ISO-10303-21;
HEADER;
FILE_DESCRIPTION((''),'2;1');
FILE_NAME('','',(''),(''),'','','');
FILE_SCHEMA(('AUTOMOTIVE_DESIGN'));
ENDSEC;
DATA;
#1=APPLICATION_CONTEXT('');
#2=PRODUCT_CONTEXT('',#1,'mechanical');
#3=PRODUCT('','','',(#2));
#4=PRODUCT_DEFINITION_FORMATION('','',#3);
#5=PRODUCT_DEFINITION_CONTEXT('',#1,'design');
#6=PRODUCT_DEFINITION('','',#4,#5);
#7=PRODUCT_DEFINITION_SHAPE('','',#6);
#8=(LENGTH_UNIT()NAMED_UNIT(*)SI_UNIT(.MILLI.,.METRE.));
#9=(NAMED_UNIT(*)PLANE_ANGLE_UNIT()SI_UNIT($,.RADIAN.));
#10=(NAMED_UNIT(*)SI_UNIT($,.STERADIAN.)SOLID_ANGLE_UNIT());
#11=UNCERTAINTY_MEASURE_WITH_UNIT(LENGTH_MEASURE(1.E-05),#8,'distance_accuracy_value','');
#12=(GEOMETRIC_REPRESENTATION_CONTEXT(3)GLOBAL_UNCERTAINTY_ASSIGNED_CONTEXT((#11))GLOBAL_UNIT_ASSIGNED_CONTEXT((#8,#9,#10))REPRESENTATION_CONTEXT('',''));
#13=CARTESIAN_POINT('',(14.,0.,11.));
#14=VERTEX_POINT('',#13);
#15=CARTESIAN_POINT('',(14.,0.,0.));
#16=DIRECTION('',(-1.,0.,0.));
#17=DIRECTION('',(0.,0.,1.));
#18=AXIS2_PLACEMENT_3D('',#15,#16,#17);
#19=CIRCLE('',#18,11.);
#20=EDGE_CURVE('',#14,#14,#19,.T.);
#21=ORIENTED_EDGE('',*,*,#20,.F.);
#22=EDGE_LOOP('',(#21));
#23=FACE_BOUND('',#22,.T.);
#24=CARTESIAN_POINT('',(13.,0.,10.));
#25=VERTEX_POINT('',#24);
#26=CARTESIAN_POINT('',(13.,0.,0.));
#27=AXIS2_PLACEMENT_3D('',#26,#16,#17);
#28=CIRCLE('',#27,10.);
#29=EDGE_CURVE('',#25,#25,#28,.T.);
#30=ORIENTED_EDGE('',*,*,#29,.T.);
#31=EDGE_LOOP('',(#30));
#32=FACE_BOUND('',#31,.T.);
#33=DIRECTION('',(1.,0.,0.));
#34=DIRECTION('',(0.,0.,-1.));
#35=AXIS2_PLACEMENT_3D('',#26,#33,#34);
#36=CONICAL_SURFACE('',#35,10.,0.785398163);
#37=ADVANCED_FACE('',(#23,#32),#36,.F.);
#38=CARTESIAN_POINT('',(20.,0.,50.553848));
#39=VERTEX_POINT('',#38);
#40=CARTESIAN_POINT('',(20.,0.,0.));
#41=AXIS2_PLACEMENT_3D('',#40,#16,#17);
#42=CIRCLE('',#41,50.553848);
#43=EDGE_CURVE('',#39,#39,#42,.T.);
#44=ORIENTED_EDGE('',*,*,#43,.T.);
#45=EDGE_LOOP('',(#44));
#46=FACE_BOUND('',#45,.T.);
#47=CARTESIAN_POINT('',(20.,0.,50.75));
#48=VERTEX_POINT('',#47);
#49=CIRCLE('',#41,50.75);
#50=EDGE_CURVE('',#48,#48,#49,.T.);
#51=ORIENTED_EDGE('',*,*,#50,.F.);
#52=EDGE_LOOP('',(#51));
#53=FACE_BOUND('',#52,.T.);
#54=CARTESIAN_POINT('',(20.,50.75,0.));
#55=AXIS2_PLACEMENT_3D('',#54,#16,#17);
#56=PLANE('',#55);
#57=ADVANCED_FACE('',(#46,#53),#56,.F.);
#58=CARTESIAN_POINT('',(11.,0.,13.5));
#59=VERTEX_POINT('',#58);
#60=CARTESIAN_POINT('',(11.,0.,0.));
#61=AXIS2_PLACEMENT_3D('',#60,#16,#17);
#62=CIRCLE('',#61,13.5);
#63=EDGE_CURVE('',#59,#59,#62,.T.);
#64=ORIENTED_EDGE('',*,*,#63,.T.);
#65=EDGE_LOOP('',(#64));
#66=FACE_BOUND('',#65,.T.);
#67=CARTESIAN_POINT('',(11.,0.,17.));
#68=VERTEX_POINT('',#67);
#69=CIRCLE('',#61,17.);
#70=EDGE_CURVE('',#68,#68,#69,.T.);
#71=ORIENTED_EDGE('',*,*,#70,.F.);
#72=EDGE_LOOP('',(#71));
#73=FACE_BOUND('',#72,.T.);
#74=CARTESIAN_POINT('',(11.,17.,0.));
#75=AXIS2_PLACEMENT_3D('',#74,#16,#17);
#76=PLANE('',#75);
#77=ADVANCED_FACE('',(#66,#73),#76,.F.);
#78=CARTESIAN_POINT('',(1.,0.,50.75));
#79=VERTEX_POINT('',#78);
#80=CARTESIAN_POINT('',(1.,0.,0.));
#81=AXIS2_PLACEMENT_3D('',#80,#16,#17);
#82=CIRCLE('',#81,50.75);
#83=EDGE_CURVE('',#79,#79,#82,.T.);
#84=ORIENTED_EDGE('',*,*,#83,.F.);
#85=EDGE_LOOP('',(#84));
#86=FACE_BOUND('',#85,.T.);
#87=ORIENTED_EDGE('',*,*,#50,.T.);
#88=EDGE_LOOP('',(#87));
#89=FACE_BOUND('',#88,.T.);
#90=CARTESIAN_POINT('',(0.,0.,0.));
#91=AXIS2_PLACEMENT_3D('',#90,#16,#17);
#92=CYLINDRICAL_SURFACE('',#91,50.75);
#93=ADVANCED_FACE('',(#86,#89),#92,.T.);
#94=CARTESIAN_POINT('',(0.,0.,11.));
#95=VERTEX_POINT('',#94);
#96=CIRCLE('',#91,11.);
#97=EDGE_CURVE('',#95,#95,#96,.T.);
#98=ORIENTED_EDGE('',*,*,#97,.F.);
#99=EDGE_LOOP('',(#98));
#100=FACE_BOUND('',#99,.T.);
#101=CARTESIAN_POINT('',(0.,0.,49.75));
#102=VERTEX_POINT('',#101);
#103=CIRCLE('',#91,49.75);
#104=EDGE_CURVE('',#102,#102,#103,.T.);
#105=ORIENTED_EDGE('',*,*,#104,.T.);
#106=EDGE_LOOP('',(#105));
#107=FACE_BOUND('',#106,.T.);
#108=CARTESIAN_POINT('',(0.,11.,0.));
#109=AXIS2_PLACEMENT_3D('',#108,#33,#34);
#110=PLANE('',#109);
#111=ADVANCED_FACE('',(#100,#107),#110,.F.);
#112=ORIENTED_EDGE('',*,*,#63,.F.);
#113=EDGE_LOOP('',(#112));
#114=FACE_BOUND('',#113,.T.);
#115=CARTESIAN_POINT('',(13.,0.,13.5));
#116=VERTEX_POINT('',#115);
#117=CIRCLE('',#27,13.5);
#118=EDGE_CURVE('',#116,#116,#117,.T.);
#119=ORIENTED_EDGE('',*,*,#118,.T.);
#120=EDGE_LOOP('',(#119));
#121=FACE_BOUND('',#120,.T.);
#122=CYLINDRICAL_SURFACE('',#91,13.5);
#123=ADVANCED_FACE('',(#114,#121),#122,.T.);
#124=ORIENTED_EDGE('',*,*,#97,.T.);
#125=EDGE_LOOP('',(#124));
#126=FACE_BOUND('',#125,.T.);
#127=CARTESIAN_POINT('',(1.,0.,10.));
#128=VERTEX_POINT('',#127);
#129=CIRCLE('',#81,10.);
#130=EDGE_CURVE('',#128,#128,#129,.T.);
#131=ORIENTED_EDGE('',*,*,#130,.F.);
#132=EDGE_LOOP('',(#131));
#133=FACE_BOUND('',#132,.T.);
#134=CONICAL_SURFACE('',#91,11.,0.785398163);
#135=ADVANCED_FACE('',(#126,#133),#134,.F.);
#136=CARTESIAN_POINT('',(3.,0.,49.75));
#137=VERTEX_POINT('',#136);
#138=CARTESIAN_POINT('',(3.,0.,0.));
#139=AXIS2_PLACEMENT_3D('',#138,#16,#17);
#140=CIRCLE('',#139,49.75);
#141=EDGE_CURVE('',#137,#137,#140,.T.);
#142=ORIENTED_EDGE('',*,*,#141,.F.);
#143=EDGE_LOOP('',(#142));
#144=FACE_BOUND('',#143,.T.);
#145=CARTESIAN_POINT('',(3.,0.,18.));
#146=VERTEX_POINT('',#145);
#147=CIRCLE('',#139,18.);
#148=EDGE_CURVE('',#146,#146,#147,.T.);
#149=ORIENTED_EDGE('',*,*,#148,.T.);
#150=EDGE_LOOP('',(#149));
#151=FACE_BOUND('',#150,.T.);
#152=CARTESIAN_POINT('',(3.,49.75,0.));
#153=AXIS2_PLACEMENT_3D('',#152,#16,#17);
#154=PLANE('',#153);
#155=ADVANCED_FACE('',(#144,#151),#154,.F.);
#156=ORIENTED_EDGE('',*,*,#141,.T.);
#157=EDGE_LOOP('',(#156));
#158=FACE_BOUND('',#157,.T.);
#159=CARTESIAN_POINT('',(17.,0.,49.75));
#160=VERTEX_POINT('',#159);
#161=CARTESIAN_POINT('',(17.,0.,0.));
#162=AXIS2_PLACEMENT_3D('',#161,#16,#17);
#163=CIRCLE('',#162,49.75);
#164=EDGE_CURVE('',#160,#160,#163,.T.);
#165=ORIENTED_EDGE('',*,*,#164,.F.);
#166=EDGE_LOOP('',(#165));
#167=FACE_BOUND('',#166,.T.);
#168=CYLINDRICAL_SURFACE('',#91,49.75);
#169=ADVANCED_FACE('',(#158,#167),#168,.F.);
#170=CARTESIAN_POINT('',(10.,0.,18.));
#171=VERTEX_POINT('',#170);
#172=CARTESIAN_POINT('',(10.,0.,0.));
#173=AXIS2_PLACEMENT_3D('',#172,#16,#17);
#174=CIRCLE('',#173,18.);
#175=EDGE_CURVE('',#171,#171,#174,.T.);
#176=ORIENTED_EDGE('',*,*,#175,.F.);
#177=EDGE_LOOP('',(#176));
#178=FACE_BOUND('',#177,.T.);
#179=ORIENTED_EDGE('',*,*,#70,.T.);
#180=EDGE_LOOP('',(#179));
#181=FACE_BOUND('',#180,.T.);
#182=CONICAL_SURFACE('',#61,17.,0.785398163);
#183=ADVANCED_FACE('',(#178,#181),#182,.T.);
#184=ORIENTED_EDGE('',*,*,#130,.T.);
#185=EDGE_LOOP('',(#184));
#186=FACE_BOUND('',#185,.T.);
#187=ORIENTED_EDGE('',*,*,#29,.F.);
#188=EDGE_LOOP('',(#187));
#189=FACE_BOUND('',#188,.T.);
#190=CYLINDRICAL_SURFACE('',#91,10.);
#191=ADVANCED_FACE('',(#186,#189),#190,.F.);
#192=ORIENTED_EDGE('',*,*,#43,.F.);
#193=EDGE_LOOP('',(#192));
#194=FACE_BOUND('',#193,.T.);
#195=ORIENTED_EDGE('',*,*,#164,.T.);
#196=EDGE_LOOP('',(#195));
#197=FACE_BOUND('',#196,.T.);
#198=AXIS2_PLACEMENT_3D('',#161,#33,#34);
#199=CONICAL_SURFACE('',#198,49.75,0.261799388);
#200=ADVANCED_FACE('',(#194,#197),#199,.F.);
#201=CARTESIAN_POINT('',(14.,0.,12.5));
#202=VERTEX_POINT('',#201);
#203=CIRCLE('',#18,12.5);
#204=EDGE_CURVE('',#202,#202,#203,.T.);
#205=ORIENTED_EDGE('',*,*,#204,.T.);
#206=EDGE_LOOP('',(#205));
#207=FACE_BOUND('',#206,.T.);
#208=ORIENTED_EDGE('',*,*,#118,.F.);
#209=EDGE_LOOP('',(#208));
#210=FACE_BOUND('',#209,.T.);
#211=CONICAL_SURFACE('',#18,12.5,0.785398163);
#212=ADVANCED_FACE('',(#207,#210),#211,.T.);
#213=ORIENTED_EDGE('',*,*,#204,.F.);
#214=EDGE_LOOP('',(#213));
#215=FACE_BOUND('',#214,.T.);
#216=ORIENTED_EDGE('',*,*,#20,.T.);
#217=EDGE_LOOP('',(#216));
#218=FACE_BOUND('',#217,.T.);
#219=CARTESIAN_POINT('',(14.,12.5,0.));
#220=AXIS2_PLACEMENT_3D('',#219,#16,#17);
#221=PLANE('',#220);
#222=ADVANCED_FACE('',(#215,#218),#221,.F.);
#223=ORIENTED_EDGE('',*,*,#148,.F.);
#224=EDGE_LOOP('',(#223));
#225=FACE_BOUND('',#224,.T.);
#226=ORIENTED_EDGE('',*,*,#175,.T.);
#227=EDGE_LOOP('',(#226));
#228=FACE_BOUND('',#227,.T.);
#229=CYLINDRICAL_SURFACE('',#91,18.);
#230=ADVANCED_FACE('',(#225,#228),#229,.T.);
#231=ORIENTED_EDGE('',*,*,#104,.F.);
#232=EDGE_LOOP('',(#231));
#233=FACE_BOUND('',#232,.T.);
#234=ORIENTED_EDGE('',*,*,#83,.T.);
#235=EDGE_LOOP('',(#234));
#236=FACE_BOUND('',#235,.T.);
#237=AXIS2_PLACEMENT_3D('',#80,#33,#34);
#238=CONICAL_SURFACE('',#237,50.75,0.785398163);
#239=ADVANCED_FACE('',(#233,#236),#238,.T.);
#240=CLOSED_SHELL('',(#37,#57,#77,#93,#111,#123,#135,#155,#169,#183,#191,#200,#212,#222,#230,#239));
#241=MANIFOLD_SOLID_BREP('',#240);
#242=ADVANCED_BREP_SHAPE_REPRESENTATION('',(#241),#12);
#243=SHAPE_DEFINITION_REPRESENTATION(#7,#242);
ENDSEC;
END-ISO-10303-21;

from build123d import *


with BuildPart() as part:
    # Эскиз1 → Повернуть1 (revolve)
    with BuildSketch(Plane.XY):
        Polygon((0, 11), (0, 49.75), (1, 50.75), (20, 50.75), (20, 50.553847577), (17, 49.75), (3, 49.75), (3, 18), (10, 18), (11, 17), (11, 13.5), (13, 13.5), (14, 12.5), (14, 11), (13, 10), (1, 10), align=None)
    revolve(axis=Axis((0, 0, 0), (1, 0, 0)))


solid = part.part
